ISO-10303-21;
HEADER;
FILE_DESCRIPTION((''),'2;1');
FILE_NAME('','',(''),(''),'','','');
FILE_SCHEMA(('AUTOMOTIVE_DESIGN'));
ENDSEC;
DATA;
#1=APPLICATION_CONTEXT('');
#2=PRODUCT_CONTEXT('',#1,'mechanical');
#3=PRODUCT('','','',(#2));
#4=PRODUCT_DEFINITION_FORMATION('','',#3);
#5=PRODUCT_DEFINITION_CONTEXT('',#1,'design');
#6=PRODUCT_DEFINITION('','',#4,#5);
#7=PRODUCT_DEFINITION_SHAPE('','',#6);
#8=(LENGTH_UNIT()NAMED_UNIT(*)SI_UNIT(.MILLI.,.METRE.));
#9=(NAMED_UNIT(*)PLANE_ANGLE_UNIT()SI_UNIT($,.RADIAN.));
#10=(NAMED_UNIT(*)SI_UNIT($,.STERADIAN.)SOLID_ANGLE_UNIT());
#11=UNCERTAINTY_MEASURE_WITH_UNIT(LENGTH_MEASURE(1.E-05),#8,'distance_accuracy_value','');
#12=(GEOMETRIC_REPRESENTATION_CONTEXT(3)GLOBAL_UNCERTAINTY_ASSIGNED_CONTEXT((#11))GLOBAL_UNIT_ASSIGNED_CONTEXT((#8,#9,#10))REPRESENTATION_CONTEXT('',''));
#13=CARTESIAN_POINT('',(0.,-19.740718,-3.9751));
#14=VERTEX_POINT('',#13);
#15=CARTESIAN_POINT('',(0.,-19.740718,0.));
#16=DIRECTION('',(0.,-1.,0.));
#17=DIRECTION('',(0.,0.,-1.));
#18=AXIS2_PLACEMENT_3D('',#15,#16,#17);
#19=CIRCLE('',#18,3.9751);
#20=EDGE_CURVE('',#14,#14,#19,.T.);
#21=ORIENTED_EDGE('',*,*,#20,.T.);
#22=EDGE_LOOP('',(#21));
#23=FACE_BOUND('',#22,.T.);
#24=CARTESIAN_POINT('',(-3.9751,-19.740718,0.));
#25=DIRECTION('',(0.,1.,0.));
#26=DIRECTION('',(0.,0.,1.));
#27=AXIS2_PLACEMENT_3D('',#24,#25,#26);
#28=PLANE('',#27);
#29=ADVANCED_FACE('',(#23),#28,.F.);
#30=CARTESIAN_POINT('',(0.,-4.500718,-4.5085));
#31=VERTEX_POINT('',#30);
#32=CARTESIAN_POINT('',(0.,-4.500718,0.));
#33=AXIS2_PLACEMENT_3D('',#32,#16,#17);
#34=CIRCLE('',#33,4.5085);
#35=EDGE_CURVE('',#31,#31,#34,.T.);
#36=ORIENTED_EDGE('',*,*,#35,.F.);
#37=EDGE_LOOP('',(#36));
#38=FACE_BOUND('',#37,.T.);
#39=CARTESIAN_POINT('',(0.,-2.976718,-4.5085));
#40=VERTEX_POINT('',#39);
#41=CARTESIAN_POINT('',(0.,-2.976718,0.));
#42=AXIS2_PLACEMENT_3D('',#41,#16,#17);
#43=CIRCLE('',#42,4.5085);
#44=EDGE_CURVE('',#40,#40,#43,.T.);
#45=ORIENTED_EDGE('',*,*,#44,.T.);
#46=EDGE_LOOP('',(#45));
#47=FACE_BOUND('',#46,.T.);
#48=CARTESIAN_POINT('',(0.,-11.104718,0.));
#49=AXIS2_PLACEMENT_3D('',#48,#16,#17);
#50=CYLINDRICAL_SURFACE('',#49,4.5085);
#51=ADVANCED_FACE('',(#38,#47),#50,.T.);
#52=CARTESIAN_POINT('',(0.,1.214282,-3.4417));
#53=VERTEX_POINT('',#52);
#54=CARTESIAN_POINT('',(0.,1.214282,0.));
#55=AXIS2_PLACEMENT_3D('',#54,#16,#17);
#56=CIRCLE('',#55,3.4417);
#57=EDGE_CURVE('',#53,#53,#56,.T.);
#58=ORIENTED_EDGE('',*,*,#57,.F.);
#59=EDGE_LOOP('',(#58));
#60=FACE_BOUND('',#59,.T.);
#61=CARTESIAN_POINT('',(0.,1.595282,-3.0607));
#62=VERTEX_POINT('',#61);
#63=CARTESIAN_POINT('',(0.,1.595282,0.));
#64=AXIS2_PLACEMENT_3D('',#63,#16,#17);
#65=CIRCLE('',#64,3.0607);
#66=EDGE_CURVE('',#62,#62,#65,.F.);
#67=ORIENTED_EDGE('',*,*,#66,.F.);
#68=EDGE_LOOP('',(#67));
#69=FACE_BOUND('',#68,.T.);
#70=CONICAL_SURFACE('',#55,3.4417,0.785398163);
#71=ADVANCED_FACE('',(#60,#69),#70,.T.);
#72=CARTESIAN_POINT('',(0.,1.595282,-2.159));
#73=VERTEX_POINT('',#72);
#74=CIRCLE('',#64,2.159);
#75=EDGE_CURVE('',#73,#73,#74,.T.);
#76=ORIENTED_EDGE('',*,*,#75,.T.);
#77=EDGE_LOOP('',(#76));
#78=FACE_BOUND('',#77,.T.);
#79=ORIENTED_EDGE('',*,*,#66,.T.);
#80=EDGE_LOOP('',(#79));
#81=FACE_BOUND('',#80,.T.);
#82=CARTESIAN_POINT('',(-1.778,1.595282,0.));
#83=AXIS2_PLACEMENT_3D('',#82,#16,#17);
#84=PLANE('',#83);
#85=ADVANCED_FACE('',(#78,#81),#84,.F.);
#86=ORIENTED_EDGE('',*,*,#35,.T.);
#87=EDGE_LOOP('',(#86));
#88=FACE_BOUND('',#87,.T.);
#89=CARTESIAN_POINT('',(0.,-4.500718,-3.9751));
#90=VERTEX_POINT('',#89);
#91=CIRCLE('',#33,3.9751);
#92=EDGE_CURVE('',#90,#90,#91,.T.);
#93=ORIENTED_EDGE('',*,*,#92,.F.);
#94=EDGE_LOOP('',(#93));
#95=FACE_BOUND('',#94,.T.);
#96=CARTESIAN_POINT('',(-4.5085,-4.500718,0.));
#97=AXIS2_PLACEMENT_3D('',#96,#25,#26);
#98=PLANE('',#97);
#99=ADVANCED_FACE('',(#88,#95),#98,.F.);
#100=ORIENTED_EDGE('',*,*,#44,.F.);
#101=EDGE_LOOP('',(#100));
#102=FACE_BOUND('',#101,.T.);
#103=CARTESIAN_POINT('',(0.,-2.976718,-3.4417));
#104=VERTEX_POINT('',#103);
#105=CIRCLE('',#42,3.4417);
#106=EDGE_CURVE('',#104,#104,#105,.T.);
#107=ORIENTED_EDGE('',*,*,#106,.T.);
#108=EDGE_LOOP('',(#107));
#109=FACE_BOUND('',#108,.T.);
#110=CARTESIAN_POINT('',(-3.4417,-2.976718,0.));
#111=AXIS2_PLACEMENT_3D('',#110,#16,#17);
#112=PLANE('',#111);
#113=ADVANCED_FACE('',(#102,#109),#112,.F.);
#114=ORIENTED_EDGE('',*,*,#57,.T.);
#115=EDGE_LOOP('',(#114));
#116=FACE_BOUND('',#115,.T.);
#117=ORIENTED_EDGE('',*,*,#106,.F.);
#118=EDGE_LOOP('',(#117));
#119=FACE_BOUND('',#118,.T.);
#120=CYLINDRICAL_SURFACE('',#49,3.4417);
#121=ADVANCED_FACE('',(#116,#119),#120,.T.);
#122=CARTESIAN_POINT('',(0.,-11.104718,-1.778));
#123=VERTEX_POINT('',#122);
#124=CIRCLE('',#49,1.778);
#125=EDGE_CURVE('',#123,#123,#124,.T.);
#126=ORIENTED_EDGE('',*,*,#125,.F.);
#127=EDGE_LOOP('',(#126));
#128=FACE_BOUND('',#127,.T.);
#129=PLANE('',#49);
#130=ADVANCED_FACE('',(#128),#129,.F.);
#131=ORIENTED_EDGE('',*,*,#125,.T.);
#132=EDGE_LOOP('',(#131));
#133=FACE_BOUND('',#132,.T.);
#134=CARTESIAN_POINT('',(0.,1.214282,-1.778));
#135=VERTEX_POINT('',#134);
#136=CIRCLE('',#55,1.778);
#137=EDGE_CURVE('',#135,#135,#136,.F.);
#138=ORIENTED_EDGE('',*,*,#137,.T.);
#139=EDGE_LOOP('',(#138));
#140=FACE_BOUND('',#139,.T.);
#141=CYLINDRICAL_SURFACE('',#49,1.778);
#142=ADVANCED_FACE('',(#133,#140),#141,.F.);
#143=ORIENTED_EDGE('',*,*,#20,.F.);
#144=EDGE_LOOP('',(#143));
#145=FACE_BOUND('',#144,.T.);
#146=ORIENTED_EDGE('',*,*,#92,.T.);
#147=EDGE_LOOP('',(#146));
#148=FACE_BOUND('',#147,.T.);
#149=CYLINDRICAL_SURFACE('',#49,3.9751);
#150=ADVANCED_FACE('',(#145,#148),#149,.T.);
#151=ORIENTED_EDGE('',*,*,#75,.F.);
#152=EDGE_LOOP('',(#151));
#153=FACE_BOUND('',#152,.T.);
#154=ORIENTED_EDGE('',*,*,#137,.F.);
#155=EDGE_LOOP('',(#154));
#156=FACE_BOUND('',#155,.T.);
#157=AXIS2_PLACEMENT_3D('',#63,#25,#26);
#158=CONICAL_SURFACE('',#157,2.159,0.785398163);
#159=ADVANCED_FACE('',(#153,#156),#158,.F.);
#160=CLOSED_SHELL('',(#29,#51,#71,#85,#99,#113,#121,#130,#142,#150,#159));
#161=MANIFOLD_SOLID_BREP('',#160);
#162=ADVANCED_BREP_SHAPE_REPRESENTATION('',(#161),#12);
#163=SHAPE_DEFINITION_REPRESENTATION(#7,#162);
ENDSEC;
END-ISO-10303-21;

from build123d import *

# Parameters (mm, degrees)
CHAMFER1_SIZE = 0.381


with BuildPart() as part:
    # Sketch1 → Revolve1 (revolve)
    with BuildSketch(Plane.XY):
        Polygon((-1.778, 1.595281863), (-3.4417, 1.595281863), (-3.4417, -2.976718137), (-4.5085, -2.976718137), (-4.5085, -4.500718137), (-3.9751, -4.500718137), (-3.9751, -19.740718137), (0, -19.740718137), (0, -11.104718137), (-1.778, -11.104718137), align=None)
    revolve(axis=Axis((0, -11.104718137, 0), (0, 1, 0)))

    # Chamfer1
    chamfer1_edges = [part.edges().sort_by_distance(p)[0] for p in [
        (3.4417, 1.595281863, 0),
        (1.778, 1.595281863, 0),
    ]]
    chamfer(chamfer1_edges, length=CHAMFER1_SIZE)


solid = part.part
